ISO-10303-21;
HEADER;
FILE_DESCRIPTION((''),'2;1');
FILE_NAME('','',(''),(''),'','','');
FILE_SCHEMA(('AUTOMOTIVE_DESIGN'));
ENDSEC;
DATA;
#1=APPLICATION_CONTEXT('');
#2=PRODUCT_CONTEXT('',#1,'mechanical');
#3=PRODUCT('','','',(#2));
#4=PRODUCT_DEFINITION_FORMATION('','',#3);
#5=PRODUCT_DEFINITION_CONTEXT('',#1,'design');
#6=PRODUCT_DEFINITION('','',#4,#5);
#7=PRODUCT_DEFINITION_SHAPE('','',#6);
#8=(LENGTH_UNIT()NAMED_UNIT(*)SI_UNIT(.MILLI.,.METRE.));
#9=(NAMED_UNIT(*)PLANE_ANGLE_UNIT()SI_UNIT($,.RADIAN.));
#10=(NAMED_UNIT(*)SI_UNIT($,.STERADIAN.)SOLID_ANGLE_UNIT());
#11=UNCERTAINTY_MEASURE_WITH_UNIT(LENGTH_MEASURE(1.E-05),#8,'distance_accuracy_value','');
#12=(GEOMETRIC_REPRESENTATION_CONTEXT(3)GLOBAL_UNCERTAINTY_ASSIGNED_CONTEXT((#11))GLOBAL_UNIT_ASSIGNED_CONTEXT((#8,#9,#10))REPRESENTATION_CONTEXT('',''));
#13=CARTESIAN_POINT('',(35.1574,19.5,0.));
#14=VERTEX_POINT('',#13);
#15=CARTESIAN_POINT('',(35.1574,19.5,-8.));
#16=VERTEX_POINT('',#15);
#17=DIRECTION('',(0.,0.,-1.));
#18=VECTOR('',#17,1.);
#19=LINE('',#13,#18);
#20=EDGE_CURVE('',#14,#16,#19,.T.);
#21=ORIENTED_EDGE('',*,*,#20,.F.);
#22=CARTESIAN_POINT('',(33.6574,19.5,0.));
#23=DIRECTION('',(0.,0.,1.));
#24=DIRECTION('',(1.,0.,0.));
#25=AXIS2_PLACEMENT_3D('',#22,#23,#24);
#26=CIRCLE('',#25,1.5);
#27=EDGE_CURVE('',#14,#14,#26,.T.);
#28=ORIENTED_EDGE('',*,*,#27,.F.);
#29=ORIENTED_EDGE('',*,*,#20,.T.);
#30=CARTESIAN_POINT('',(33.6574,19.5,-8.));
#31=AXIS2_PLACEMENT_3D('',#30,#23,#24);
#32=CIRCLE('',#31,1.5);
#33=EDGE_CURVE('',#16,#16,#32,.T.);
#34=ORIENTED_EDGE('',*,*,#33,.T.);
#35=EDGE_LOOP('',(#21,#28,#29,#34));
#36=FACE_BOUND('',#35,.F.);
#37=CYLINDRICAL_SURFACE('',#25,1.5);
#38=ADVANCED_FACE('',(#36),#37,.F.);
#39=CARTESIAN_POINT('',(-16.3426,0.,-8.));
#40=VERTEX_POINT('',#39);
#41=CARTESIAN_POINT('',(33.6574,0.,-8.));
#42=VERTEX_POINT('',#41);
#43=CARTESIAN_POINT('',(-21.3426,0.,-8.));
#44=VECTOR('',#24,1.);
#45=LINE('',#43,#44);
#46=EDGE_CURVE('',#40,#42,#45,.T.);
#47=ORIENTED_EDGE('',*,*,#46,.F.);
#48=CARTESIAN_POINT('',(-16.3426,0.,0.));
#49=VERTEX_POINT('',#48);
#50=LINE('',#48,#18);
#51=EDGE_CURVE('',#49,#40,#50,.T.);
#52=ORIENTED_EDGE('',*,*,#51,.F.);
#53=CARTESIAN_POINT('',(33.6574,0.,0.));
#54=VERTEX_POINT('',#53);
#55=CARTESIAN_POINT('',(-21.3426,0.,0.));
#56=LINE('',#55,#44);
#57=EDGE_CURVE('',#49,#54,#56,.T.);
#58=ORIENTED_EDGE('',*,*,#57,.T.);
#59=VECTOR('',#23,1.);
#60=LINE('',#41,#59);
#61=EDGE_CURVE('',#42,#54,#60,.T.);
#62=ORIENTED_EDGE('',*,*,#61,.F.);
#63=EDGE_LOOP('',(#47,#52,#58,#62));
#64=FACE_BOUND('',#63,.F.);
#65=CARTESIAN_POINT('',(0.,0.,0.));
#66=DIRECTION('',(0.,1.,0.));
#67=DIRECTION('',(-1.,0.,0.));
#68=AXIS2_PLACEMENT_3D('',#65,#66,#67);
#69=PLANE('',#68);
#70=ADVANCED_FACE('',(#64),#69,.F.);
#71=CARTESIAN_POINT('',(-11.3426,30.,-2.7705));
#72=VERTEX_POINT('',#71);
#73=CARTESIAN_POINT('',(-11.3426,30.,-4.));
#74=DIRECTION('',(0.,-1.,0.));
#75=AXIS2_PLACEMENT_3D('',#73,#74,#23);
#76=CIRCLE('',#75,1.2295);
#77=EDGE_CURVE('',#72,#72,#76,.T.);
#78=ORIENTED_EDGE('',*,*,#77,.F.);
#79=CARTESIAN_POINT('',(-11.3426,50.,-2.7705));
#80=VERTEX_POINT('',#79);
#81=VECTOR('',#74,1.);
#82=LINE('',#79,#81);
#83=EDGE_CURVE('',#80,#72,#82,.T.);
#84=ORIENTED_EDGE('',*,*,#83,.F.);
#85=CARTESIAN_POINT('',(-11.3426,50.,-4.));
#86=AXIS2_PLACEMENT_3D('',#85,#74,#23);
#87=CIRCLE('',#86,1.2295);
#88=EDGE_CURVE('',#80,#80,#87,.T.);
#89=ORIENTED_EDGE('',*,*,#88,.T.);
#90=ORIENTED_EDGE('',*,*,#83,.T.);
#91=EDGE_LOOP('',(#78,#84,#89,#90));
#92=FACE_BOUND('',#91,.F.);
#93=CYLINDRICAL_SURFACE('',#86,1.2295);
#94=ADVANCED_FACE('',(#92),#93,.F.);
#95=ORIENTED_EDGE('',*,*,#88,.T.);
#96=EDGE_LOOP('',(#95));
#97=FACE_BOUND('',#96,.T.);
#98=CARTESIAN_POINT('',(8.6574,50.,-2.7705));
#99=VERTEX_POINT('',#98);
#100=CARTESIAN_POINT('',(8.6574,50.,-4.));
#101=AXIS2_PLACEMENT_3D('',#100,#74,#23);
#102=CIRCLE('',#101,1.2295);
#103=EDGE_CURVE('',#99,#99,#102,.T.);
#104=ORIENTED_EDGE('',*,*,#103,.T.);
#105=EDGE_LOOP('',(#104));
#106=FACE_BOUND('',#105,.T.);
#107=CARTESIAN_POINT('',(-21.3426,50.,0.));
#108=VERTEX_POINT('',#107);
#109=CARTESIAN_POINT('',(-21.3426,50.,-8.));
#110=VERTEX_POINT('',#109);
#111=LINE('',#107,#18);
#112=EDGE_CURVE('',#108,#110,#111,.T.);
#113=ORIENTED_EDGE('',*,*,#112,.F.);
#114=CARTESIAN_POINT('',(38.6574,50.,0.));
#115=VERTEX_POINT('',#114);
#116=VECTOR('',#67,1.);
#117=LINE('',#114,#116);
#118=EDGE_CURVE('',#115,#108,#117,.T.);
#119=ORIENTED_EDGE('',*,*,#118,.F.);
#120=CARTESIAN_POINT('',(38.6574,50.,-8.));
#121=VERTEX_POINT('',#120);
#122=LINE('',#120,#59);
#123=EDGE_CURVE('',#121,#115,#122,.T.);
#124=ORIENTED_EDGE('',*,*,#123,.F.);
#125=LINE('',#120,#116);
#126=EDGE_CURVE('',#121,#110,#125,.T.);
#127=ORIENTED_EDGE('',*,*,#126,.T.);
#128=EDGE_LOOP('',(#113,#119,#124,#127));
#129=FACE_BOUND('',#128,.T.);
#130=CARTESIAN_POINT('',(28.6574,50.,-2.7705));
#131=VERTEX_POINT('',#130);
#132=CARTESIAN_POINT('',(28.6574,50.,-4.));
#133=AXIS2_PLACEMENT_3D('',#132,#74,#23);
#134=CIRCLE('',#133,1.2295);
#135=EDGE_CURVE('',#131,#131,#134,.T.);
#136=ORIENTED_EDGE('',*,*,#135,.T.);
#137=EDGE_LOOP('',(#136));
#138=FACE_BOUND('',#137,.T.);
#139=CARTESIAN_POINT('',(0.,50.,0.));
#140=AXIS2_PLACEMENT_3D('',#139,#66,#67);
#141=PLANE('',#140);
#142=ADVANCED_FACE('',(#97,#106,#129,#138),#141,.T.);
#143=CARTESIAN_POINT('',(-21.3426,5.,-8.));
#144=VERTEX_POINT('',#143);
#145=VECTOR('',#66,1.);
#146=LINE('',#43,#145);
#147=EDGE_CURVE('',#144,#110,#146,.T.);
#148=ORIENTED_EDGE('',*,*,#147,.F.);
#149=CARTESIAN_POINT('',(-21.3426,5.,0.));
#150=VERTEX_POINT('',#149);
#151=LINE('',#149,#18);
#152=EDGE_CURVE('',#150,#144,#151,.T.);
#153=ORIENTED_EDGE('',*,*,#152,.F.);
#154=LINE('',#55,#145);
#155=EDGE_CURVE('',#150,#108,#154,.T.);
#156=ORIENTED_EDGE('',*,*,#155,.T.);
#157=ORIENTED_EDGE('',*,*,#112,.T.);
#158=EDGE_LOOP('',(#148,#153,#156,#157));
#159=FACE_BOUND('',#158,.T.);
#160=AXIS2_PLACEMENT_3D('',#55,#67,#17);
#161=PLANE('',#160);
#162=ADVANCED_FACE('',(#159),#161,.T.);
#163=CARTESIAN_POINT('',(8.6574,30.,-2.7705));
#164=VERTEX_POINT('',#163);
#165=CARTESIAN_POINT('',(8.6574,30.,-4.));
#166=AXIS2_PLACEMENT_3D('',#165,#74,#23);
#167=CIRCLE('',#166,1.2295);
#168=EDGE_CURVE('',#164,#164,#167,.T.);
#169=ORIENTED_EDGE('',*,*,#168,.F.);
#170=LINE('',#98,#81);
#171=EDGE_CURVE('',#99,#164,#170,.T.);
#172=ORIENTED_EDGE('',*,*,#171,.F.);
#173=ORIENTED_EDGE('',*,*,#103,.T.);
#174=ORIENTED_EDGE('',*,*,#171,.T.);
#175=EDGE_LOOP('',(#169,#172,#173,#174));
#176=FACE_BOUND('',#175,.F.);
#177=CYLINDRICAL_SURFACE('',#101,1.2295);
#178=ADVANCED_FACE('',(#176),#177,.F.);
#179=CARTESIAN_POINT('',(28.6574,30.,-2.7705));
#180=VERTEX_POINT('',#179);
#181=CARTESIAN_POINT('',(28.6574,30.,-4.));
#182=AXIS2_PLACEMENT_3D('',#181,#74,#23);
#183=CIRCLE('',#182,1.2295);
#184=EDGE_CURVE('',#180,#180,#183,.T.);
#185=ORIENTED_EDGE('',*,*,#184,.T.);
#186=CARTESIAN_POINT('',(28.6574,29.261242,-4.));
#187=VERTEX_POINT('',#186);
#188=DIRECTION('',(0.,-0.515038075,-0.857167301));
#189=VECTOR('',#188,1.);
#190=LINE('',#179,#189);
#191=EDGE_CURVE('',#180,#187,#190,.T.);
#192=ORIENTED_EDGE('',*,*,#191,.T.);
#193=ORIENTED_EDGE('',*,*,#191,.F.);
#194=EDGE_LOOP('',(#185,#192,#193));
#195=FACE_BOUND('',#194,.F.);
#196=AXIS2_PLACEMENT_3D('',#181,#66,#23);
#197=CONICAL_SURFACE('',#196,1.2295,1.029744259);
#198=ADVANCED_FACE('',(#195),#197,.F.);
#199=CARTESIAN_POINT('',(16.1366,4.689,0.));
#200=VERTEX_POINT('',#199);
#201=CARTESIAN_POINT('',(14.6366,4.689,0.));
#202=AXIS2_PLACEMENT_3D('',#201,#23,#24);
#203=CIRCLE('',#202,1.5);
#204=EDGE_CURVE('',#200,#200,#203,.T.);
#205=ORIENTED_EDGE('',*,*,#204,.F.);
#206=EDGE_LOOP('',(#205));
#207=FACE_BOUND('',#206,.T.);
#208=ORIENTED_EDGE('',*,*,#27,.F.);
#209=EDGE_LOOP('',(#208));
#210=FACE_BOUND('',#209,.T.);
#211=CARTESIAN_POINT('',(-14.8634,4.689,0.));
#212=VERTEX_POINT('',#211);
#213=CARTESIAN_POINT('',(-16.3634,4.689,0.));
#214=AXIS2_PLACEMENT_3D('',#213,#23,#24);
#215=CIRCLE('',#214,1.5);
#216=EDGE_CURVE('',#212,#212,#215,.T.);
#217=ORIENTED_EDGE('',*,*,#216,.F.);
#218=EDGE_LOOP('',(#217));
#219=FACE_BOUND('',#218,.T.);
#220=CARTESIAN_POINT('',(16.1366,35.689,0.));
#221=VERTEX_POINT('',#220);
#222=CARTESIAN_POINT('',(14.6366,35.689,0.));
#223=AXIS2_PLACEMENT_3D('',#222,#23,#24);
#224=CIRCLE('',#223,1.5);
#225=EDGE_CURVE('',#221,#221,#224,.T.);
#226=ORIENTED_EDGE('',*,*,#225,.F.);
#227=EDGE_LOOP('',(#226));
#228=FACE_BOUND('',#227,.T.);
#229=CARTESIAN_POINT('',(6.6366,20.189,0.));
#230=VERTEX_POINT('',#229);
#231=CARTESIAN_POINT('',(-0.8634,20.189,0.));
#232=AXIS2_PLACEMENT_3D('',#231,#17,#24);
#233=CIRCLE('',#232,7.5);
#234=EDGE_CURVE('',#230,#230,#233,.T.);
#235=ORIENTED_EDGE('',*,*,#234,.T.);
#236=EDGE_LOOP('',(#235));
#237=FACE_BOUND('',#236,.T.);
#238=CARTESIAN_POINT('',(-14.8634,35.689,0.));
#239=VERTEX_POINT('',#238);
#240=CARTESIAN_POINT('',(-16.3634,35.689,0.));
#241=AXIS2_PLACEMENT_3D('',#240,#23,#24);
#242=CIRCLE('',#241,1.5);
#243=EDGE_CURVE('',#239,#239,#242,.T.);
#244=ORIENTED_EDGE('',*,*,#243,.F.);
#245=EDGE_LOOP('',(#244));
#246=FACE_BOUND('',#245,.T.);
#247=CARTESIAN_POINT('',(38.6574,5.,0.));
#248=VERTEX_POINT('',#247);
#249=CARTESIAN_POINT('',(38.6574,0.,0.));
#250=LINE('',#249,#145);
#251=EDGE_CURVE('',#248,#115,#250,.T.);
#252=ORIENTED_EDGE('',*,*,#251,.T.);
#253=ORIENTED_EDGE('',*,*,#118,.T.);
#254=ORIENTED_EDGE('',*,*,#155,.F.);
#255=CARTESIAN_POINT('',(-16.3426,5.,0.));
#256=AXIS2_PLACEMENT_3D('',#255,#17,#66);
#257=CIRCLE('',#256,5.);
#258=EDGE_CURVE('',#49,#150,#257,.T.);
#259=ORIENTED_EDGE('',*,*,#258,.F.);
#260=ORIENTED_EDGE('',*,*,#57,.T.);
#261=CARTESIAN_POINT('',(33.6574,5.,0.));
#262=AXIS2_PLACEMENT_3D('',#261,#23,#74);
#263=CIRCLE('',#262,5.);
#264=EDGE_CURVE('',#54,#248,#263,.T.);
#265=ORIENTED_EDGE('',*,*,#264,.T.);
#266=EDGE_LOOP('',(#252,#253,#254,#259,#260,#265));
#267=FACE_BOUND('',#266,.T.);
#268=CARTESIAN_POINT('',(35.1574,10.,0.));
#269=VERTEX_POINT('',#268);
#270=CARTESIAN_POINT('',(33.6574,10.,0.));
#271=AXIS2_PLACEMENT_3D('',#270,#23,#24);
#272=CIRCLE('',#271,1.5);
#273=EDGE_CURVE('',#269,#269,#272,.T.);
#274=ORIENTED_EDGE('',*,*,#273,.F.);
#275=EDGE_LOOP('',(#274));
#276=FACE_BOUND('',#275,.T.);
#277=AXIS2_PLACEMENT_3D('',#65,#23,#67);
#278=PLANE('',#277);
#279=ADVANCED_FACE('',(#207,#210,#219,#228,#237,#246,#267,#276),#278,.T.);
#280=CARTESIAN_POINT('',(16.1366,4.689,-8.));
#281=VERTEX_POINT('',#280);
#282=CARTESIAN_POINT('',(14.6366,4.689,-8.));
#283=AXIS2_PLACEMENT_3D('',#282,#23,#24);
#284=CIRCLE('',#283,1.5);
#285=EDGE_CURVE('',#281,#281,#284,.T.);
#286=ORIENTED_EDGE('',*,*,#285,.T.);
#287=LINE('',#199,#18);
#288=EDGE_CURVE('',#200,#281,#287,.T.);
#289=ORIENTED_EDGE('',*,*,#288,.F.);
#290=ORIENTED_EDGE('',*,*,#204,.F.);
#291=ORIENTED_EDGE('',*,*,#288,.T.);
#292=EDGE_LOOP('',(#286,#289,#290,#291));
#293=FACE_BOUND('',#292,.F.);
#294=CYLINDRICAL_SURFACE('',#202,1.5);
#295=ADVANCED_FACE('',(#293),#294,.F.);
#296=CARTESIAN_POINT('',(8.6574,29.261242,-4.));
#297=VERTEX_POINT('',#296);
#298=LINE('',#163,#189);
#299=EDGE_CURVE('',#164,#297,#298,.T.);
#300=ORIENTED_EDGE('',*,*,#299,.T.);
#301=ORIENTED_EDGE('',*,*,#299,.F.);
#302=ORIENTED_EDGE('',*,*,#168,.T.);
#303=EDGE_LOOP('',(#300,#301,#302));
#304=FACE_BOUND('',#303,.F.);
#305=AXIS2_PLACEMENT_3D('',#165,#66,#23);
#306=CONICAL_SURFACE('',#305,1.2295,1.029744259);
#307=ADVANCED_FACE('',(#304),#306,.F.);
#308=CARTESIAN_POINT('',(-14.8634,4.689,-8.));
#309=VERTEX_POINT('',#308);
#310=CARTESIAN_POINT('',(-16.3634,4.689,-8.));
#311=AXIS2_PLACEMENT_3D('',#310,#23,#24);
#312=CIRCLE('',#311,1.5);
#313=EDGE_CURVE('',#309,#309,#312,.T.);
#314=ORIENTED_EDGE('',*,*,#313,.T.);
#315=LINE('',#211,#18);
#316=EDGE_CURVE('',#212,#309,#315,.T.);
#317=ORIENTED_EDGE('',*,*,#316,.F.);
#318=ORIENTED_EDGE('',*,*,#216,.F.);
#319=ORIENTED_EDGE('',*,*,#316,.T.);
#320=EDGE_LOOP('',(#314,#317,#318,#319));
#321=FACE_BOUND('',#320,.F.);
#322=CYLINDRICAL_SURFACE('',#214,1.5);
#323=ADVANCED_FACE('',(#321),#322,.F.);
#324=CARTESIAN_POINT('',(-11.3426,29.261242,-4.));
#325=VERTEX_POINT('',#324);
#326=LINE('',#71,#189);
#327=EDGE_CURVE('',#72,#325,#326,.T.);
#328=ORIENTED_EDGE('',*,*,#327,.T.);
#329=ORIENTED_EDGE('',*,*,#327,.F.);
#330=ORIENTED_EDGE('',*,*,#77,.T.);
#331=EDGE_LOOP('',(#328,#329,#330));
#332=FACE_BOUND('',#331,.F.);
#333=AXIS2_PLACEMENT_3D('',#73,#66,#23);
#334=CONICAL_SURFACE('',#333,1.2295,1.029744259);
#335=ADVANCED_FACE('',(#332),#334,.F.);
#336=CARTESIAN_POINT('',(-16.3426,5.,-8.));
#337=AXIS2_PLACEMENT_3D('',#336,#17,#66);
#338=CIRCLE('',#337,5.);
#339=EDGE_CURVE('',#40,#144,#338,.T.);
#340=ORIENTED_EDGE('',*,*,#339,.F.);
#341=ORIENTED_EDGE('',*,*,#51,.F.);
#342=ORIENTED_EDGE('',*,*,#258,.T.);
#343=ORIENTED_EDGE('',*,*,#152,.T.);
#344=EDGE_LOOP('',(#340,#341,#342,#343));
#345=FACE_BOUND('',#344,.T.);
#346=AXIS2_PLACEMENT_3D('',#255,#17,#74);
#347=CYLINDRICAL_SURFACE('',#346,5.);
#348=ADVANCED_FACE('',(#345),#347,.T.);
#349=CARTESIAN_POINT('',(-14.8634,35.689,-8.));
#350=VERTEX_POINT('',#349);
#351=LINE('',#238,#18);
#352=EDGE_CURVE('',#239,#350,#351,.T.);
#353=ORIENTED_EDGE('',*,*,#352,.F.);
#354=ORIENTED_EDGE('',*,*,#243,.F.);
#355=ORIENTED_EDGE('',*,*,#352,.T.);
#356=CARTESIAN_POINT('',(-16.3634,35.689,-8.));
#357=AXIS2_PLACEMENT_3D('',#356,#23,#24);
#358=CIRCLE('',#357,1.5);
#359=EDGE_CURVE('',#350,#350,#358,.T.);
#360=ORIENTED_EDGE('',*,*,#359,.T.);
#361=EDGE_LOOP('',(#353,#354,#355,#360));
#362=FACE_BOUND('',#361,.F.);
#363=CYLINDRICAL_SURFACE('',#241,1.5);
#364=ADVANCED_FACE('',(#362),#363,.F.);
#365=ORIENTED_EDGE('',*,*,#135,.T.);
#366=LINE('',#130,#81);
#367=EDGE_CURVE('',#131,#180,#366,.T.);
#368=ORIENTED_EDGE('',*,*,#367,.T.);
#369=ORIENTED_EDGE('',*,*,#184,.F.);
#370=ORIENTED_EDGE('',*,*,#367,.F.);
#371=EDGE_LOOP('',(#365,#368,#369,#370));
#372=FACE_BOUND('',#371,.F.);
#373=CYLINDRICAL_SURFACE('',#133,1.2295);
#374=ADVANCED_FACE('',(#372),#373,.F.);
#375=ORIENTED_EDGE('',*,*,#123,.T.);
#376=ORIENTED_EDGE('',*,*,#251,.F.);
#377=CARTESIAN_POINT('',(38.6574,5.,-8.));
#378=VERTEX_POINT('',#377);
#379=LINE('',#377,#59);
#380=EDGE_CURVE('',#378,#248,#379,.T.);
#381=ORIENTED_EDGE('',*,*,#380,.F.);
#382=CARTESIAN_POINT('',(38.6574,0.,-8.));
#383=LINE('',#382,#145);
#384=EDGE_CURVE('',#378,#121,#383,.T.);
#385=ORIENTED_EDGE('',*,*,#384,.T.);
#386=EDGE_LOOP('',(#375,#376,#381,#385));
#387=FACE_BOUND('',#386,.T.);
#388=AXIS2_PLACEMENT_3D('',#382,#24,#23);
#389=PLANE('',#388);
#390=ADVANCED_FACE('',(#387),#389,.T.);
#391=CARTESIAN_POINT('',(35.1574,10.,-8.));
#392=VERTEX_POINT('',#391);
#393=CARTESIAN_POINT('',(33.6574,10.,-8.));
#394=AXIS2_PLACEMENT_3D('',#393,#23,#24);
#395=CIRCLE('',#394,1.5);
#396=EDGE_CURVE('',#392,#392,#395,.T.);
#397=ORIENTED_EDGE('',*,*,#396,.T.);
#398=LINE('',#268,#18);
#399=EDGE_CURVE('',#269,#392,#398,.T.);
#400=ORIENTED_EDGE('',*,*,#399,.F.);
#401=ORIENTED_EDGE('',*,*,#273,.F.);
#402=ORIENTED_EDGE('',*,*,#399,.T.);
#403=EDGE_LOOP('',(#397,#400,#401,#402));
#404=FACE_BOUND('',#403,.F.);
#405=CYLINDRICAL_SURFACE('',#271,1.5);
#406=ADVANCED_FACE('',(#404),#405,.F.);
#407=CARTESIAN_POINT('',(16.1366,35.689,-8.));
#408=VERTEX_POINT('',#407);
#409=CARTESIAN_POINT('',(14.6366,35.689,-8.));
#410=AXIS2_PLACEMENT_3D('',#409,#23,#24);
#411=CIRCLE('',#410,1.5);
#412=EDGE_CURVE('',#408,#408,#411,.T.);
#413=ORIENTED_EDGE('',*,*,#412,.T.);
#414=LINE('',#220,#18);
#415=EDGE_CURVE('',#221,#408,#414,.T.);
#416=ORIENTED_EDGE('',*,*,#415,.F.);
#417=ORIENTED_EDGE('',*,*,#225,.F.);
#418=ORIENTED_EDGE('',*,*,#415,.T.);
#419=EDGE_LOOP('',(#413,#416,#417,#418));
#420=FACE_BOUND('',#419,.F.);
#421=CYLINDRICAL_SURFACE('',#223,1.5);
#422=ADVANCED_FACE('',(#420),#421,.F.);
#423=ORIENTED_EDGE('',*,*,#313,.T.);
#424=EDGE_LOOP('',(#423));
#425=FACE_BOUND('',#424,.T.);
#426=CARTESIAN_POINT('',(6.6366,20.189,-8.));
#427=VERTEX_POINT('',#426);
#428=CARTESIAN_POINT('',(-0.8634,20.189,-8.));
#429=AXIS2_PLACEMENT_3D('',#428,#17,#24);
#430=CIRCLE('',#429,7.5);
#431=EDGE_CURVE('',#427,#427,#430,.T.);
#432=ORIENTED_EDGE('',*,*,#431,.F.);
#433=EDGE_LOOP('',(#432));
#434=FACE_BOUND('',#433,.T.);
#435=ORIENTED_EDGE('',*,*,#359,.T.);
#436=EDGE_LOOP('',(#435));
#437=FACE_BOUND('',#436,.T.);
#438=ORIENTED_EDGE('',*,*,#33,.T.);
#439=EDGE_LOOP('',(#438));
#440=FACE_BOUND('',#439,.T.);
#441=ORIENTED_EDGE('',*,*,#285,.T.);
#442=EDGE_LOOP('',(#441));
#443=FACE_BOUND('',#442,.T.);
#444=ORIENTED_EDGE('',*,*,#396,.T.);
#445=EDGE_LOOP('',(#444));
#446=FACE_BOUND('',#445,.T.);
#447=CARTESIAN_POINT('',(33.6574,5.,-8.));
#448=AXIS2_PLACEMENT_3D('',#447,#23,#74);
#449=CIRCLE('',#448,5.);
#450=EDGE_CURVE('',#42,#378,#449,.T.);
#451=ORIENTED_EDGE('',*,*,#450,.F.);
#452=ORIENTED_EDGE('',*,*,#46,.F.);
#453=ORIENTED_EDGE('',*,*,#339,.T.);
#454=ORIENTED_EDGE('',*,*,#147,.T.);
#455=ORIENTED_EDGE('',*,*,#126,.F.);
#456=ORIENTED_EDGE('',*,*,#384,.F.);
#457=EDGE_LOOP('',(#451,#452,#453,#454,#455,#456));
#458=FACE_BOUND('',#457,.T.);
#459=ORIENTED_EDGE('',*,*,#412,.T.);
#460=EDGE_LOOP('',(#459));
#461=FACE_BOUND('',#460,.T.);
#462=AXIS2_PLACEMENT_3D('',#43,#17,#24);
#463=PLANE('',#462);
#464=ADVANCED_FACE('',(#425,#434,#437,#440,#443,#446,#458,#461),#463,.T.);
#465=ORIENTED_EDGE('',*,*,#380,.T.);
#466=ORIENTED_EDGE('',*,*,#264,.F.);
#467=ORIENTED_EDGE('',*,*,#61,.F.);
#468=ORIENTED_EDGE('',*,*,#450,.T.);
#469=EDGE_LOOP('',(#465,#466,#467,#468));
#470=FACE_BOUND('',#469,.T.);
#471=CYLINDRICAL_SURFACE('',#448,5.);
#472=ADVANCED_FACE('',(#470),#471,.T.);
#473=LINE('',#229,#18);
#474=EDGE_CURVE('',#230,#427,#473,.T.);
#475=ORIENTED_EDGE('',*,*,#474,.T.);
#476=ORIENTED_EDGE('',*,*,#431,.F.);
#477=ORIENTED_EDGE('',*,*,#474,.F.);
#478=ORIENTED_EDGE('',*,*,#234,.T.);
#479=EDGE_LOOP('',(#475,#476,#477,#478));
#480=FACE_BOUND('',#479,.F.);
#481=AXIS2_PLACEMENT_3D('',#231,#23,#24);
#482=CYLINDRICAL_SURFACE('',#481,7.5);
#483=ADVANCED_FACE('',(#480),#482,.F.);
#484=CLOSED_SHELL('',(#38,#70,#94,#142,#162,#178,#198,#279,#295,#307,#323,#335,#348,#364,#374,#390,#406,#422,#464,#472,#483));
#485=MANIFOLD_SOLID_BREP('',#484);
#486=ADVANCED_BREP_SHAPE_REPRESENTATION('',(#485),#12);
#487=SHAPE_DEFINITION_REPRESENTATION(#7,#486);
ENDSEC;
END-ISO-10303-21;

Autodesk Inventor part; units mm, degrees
ref_plane "YZ Plane" through (0, 0, 0) normal (1, 0, 0) x (0, 1, 0)
ref_plane "XZ Plane" through (0, 0, 0) normal (0, 1, 0) x (-1, 0, 0)
ref_plane "XY Plane" through (0, 0, 0) normal (0, 0, 1) x (1, 0, 0)
sketch "Sketch1" plane through (0, 0, 0) normal (0, 1, 0) x (-1, 0, 0)
  line L0 (0, 0) -> (21.3426, 0)
  line L1 (21.3426, 0) -> (21.3426, -8)
  line L2 (21.3426, -8) -> (0, -8)
  line L3 (0, -8) -> (-38.6574, -8)
  line L4 (-38.6574, -8) -> (-38.6574, 0)
  line L5 (-38.6574, 0) -> (0, 0)
  dimension "d2" = 8
  dimension "d3" = 60
  dimension "d13" = 8
extrude "Extrusion1" add sketch "Sketch1" along normal blind 50
sketch "Sketch3" plane through (0, 0, 0) normal (0, 0, 1) x (1, 0, 0)
  circle A0 centre (-0.8634, 20.189) radius 7.5 projected
  line L0 (-17.3634, -0.311) -> (-21.3634, 3.689) projected
  line L1 (-17.3634, -0.311) -> (15.6366, -0.311) projected
  line L2 (19.6366, 3.689) -> (15.6366, -0.311) projected
  line L3 (19.6366, 3.689) -> (19.6366, 36.689) projected
  line L4 (15.6366, 40.689) -> (19.6366, 36.689) projected
  line L5 (15.6366, 40.689) -> (-17.3634, 40.689) projected
  line L6 (-21.3634, 36.689) -> (-17.3634, 40.689) projected
  line L7 (-21.3634, 36.689) -> (-21.3634, 3.689) projected
  circle A1 centre (-16.3634, 35.689) radius 1.5 projected
  circle A2 centre (14.6366, 4.689) radius 1.5 projected
  circle A3 centre (14.6366, 35.689) radius 1.5 projected
  circle A4 centre (-16.3634, 4.689) radius 1.5 projected
  circle A5 centre (33.6574, 10) radius 1.5
  circle A6 centre (33.6574, 19.5) radius 1.5
  line L8 (38.6574, 0) -> (38.6574, 50) projected
  line L9 (-21.3426, 0) -> (38.6574, 0) projected
  point P0 (0, 0)
  dimension "d6" = 5
  dimension "d7" = 5
  dimension "d8" = 3
  dimension "d9" = 3
  dimension "d11" = 9.5
  dimension "d12" = 10
extrude "Extrusion2" cut sketch "Sketch3" against normal blind 10 contours A0 | A1 | A2 | A3 | A4 | A5 | A6
fillet "Fillet1" radius 5 2 edges at (38.6574, 0, -4) (-21.3426, 0, -4)
sketch "Sketch4" plane through (0, 50, 0) normal (0, 1, 0) x (1, 0, 0)
  circle A0 centre (-11.3426, 2.5) radius 1.5 projected
  circle A1 centre (8.6574, 2.5) radius 1.5 projected
  circle A2 centre (28.6574, 2.5) radius 1.5 projected
  circle A3 centre (-11.3426, 4) radius 1.5
  circle A4 centre (8.6574, 4) radius 1.5
  circle A5 centre (28.6574, 4) radius 1.5
  line L0 (-25.013, 4) -> (50.4038, 4)
  line L1 (-21.3426, 8) -> (-21.3426, 0) projected
  line L2 (-21.3426, 0) -> (38.6574, 0) projected
  point P0 (0, 0)
  dimension "d21" = 3
  dimension "d22" = 10
  dimension "d23" = 20
  dimension "d24" = 20
  dimension "d25" = 4
  dimension "d26" = 3
  dimension "d27" = 3
hole "Hole1" at (-11.3426, 50, -4) at (8.6574, 50, -4) at (28.6574, 50, -4) direction (0, -1, 0) diameter 2.459 depth 20 tip angle 118 thread size "M3x0.5" class "6H" standard "ISO Metric profile"
properties part number "X-Axis_motor_plate"
